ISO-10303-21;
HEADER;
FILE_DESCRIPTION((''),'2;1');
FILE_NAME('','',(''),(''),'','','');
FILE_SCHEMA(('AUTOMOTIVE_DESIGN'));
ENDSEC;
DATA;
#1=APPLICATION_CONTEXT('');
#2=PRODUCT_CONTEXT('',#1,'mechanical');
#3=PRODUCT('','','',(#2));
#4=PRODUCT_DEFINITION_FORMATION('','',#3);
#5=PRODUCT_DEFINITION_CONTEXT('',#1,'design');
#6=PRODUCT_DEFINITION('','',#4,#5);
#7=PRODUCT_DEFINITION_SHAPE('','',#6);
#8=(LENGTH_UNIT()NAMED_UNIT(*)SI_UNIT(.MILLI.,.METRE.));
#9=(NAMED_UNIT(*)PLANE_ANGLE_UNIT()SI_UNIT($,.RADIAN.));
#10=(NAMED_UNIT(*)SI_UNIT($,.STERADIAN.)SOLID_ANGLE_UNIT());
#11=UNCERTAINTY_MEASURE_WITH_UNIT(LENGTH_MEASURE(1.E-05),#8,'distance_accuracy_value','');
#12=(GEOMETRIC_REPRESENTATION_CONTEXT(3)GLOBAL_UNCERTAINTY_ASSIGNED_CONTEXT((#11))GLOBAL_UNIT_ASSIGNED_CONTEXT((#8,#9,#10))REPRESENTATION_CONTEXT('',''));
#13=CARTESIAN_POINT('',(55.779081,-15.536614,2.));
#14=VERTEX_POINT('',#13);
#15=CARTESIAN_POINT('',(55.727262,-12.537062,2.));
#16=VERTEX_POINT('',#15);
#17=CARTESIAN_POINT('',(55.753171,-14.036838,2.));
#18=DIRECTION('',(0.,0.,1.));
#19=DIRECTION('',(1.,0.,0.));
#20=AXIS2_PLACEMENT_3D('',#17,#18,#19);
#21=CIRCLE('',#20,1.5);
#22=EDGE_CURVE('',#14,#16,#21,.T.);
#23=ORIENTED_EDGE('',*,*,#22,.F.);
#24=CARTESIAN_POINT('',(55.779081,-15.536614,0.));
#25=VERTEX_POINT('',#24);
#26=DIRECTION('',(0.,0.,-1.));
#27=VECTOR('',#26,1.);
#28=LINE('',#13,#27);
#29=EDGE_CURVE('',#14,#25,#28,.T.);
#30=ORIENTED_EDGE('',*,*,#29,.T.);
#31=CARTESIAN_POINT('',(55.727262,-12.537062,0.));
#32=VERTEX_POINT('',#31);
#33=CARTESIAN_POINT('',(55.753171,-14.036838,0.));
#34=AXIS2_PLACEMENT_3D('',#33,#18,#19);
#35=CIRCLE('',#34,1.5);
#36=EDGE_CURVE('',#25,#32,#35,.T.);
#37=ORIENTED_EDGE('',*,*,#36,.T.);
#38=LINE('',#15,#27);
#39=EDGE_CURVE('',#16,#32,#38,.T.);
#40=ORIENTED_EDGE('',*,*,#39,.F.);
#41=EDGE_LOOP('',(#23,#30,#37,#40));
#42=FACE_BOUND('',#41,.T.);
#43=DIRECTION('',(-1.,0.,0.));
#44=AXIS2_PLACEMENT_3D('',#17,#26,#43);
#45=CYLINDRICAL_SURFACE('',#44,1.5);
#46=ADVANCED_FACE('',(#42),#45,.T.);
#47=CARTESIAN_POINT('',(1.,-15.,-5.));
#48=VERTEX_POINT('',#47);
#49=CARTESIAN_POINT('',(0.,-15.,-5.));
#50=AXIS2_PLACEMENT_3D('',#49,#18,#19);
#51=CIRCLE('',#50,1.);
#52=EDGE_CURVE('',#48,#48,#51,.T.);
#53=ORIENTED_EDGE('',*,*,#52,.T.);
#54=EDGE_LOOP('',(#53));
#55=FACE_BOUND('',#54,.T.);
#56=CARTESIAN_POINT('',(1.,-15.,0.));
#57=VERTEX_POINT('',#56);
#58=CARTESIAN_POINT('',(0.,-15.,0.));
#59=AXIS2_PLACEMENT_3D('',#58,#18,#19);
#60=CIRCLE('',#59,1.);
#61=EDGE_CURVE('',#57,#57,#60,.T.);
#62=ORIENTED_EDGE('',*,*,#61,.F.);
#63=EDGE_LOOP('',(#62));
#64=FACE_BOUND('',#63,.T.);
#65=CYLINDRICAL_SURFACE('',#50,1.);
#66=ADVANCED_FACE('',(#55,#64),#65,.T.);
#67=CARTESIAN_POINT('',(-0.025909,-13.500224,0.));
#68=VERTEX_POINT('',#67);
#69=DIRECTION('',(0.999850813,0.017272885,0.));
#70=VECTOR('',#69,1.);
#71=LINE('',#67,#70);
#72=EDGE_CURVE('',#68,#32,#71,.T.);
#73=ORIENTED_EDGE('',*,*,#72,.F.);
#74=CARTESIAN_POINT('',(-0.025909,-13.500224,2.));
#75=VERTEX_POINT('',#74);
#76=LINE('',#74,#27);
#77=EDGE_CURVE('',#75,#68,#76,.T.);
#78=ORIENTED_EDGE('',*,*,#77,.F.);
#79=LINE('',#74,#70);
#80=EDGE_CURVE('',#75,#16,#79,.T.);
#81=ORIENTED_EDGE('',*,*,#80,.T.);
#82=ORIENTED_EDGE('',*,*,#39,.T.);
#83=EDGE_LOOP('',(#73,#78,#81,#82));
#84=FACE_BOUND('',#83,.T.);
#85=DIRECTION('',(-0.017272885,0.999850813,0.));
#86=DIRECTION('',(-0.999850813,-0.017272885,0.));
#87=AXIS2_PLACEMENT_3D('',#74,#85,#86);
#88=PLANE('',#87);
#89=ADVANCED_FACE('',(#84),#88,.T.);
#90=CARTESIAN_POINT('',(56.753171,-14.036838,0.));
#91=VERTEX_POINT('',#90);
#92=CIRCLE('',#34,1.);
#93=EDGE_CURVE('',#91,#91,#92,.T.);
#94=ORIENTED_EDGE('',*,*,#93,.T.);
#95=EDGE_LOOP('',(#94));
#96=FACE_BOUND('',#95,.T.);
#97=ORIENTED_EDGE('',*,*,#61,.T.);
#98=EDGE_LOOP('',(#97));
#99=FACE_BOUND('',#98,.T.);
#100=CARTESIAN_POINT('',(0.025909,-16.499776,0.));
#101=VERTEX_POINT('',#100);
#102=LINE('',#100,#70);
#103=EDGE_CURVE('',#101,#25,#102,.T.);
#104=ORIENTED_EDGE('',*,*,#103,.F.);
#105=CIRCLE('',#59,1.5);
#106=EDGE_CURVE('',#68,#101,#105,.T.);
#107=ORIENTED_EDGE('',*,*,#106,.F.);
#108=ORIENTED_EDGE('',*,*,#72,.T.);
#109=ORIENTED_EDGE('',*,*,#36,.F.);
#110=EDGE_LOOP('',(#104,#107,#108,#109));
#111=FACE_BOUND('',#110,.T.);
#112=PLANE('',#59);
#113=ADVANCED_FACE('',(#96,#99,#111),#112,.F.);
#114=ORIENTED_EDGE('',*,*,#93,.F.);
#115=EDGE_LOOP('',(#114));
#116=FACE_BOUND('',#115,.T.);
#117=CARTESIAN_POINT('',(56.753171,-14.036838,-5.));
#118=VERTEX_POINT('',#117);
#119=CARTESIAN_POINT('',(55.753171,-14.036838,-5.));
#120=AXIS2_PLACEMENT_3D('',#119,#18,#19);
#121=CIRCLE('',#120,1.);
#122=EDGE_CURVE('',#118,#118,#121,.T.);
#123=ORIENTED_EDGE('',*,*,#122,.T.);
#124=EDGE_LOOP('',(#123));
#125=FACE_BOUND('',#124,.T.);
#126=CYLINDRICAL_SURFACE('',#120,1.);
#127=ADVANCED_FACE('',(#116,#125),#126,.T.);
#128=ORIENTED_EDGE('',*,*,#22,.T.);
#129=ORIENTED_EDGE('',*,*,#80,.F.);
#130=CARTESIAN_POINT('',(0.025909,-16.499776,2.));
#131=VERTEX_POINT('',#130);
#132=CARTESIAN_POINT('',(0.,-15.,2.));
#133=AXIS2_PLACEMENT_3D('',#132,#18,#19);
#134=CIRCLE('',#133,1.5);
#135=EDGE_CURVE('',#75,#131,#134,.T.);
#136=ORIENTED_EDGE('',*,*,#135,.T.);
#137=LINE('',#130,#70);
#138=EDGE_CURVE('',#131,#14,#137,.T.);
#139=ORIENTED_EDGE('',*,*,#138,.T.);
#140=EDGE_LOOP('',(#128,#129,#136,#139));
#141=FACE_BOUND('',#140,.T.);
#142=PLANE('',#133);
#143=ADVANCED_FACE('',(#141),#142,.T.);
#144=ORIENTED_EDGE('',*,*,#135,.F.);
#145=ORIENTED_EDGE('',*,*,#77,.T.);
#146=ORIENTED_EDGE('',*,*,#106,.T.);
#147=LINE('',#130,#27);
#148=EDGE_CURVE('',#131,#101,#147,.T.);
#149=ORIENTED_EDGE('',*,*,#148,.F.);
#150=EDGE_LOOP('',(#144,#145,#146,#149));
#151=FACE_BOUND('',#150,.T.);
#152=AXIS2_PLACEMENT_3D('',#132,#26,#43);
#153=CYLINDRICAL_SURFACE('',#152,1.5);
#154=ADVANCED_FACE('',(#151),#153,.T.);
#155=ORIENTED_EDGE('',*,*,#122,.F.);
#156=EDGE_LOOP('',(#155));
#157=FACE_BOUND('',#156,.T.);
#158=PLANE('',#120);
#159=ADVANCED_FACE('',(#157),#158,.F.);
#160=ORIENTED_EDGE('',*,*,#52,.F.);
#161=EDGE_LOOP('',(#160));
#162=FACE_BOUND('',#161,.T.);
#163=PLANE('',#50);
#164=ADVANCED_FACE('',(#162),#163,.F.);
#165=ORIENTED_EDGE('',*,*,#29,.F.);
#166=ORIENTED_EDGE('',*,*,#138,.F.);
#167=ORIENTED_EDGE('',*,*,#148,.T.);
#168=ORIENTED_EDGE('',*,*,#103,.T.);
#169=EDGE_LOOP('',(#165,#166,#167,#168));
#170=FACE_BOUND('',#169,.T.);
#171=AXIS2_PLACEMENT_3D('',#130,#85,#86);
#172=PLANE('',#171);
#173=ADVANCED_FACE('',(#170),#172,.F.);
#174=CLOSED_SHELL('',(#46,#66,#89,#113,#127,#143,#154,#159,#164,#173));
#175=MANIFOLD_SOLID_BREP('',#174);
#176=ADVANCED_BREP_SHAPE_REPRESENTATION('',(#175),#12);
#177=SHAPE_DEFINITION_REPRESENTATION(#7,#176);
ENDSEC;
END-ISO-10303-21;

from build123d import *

# Parameters (mm, degrees)
BOSS_EXTRUDE1_DEPTH = 2
SKETCH1_3_R         = 1
BOSS_EXTRUDE2_DEPTH = 5


with BuildPart() as part:
    # Sketch1 → Boss-Extrude1 (new body)
    with BuildSketch(Plane.XY):
        with BuildLine():
            Line((-0.025909327, -13.500223781), (55.727261904, -12.537061992))
            ThreePointArc((55.727261904, -12.537061992), (57.25294745, -14.010928883), (55.779080559, -15.536614429))
            Line((55.779080559, -15.536614429), (0.025909327, -16.499776219))
            ThreePointArc((0.025909327, -16.499776219), (-1.499776219, -15.025909327), (-0.025909327, -13.500223781))
        make_face()
    extrude(amount=BOSS_EXTRUDE1_DEPTH)

    # Sketch1<3> → Boss-Extrude2 (add)
    with BuildSketch(Plane.XY):
        with Locations((0, -15)):
            Circle(SKETCH1_3_R)
        with Locations((55.753171232, -14.03683821)):
            Circle(SKETCH1_3_R)
    extrude(amount=-BOSS_EXTRUDE2_DEPTH)


solid = part.part
